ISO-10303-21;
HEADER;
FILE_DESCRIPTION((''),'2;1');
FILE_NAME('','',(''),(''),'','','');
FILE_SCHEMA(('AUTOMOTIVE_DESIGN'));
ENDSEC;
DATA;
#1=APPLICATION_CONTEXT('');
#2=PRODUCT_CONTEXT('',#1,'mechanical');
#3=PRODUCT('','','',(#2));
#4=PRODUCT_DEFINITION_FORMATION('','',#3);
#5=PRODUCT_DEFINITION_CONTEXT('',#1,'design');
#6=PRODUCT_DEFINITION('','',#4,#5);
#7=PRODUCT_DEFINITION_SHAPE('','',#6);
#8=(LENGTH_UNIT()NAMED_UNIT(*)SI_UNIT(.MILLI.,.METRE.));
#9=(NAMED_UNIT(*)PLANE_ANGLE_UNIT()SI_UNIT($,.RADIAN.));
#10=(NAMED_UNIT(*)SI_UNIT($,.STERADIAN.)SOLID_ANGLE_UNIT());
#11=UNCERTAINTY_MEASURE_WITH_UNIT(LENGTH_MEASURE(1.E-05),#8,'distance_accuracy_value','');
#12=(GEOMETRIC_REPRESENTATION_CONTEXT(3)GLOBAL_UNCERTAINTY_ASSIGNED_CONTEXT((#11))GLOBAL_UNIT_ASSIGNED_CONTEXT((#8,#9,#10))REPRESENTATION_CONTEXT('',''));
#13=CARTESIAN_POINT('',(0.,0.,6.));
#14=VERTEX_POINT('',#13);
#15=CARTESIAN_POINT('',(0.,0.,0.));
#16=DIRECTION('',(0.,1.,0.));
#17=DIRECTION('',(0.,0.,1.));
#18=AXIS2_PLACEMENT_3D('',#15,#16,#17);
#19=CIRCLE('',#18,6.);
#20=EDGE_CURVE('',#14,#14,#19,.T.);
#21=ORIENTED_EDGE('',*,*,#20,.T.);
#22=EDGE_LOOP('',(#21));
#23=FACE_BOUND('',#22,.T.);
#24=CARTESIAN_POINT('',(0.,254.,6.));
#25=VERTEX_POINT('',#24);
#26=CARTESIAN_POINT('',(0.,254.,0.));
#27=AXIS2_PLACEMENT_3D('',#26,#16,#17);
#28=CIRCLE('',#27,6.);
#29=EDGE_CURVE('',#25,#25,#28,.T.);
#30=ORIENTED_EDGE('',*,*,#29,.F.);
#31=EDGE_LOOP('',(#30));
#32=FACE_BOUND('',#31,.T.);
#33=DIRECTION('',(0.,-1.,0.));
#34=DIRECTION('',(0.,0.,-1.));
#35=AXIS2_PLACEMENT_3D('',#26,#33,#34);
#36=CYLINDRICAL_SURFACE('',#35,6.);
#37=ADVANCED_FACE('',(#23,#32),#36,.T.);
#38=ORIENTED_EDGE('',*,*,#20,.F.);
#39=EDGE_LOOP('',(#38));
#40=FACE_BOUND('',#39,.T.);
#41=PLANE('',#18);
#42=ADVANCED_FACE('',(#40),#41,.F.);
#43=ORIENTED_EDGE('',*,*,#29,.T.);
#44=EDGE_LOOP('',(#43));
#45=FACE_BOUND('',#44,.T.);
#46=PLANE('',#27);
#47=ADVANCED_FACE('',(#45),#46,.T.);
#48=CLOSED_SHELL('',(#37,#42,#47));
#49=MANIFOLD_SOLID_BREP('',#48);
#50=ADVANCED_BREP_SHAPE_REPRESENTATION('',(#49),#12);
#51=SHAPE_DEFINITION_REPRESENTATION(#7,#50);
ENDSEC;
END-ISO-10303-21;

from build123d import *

# Parameters (mm, degrees)
SKETCH1_R           = 6
BOSS_EXTRUDE1_DEPTH = 254


with BuildPart() as part:
    # Sketch1 → Boss-Extrude1 (new body)
    with BuildSketch(Plane(origin=(0, 0, 0), x_dir=(1, 0, 0), z_dir=(0, 1, 0))):
        with Locations(Location((0, 0, 0), (0, 0, 270))):
            Circle(SKETCH1_R)
    extrude(amount=BOSS_EXTRUDE1_DEPTH)


solid = part.part
